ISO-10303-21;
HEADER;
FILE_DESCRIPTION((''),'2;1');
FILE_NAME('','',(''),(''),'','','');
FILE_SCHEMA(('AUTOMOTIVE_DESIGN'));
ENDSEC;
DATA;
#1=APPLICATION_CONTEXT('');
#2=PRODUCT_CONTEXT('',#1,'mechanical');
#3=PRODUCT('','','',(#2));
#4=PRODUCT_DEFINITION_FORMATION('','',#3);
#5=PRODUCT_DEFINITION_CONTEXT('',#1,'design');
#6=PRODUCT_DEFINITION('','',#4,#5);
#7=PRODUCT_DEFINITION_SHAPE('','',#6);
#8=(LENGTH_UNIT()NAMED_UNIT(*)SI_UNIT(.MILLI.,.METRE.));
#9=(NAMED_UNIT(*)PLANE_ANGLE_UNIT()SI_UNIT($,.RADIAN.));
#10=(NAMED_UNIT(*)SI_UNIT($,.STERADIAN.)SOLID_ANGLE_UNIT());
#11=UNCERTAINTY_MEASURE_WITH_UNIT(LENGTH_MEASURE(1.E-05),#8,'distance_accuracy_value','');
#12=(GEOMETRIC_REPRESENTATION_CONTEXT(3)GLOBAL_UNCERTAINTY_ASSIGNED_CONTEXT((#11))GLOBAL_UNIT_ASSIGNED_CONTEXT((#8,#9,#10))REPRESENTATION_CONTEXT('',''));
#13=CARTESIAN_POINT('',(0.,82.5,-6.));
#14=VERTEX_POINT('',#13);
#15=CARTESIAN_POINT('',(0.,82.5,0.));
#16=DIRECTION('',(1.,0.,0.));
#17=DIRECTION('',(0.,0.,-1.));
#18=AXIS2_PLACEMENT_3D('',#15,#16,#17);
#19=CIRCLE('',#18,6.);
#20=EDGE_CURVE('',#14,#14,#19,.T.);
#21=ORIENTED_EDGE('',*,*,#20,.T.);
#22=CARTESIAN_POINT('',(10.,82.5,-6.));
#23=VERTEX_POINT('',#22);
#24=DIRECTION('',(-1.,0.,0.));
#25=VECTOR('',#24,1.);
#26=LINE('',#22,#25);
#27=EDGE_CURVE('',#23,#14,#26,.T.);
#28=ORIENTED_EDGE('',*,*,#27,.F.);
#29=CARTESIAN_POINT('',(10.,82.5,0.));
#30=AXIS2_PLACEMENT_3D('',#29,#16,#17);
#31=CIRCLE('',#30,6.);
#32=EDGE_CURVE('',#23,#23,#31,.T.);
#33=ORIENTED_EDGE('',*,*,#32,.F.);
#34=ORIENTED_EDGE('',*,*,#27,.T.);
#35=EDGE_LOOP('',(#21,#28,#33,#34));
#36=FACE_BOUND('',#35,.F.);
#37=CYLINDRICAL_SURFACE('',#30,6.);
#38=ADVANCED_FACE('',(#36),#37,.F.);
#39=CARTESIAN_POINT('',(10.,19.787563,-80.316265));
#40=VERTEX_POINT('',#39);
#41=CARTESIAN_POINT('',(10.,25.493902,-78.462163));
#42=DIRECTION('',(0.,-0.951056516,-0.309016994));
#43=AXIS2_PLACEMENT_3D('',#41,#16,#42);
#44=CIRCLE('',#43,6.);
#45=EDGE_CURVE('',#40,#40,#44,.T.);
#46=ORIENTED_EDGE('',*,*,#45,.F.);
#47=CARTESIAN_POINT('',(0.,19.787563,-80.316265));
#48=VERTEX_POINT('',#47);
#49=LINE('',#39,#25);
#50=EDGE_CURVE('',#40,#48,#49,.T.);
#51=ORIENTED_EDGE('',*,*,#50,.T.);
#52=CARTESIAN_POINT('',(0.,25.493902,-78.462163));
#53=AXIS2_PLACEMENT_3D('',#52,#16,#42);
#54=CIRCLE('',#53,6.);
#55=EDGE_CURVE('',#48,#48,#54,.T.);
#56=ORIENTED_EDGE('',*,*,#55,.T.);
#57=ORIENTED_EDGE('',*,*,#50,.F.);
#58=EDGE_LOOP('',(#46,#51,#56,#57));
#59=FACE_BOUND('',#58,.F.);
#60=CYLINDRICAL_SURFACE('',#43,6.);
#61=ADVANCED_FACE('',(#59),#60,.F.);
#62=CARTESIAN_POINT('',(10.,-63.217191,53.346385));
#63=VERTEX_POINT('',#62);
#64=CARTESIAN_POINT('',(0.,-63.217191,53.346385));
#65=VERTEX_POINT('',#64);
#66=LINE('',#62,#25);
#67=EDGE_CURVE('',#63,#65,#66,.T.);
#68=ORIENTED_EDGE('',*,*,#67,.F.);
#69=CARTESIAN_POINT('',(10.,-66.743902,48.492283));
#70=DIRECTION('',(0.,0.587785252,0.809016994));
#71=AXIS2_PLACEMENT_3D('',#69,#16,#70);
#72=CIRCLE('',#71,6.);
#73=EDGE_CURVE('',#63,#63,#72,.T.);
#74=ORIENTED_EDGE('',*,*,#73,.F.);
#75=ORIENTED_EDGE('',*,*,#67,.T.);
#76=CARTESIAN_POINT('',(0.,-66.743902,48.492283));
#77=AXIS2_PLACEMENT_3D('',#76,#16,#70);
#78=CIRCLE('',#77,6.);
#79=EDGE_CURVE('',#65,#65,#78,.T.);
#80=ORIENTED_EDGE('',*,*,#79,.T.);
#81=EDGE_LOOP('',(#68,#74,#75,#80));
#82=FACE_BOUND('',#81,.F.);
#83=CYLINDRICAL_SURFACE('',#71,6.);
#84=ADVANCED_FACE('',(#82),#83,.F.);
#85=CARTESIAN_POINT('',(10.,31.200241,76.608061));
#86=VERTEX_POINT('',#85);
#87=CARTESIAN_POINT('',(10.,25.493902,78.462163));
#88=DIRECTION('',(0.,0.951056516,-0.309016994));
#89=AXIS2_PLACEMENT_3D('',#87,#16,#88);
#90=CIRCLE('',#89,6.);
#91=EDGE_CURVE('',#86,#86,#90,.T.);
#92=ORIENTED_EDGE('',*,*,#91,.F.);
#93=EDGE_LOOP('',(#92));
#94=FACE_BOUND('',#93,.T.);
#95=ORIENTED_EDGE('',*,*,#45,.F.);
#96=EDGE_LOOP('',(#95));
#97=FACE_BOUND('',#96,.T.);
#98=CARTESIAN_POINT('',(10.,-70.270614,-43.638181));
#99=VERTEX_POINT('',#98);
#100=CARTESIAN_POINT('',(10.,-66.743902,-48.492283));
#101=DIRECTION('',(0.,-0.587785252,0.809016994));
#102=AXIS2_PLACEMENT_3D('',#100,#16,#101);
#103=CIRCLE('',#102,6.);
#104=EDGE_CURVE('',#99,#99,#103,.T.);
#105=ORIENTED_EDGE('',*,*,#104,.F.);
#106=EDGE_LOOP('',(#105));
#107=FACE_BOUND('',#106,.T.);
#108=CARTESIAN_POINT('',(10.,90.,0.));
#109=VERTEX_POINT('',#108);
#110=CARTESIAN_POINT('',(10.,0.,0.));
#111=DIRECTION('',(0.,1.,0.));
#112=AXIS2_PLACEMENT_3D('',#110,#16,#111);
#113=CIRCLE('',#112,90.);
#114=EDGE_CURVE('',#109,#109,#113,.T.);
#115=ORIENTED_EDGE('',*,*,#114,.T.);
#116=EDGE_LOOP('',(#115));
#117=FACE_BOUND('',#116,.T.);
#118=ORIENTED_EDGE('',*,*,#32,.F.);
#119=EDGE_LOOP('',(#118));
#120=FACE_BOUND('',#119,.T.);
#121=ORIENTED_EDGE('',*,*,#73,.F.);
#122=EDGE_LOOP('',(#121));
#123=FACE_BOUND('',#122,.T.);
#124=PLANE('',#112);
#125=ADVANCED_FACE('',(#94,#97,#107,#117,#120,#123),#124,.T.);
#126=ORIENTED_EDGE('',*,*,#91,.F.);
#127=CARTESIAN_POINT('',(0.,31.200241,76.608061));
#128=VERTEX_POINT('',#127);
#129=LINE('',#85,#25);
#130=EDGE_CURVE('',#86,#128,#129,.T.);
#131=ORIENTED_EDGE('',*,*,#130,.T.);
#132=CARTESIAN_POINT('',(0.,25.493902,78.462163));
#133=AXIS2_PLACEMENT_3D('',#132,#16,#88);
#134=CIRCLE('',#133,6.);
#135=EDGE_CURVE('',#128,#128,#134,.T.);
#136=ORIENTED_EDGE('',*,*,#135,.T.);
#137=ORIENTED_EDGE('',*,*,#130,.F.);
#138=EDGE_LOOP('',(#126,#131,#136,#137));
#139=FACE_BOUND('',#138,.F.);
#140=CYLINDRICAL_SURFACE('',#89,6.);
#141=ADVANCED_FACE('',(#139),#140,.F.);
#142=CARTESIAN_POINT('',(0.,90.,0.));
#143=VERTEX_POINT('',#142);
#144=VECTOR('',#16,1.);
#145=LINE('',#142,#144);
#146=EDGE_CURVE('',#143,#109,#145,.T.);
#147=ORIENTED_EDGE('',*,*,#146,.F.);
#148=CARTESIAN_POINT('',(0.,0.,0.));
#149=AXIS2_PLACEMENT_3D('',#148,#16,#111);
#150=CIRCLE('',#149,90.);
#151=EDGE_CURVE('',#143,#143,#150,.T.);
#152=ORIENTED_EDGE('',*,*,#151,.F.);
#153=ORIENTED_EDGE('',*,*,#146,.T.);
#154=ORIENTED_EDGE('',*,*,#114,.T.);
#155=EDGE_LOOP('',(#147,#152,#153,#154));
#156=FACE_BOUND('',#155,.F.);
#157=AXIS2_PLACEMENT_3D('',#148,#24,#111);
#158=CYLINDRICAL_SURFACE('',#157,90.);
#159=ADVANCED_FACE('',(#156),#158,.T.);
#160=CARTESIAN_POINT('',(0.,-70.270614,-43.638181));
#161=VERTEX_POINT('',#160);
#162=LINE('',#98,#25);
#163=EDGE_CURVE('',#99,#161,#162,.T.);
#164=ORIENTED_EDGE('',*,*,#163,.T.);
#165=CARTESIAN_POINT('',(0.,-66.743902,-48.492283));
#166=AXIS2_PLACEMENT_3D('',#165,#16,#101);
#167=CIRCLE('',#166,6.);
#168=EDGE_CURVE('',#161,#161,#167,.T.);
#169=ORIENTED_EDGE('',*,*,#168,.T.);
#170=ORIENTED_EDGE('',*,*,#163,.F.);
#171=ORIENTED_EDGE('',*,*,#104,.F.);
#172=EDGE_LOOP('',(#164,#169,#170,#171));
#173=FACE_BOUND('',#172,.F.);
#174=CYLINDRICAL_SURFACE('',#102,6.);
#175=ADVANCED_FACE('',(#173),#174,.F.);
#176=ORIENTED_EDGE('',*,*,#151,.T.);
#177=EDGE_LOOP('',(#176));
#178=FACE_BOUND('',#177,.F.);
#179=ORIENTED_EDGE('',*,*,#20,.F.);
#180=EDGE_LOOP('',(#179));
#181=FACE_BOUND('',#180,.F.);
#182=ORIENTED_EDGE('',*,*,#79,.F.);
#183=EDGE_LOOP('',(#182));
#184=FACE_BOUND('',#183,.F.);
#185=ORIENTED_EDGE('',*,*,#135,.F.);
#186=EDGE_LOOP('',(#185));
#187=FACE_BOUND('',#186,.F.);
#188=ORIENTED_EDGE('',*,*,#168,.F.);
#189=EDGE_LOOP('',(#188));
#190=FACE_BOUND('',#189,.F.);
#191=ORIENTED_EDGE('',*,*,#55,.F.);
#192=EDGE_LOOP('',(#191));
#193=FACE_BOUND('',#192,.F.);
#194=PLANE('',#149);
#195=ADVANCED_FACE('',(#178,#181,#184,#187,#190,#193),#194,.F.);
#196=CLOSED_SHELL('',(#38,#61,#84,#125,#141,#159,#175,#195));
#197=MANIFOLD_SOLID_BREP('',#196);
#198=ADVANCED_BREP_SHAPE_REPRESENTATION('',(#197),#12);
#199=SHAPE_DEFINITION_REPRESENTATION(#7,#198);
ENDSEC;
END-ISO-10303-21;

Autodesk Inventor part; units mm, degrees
ref_plane "YZ Plane" through (0, 0, 0) normal (1, 0, 0) x (0, 1, 0)
ref_plane "XZ Plane" through (0, 0, 0) normal (0, 1, 0) x (-1, 0, 0)
ref_plane "XY Plane" through (0, 0, 0) normal (0, 0, 1) x (1, 0, 0)
sketch "Sketch1" plane through (0, 0, 0) normal (1, 0, 0) x (0, 1, 0)
  circle A0 centre (0, 0) radius 90
  dimension "d0" = 180
extrude "Extrusion1" add sketch "Sketch1" along normal blind 10
sketch "Sketch2" plane through (10, 0, 0) normal (1, 0, 0) x (0, 0, -1)
  circle A0 centre (0, 82.5) radius 6
  point P0 (0, 0)
  dimension "d3" = 82.5
  dimension "d4" = 12
extrude "Extrusion2" cut sketch "Sketch2" against normal blind 10
pattern_circular "Circular Pattern1" count 5 over 360 about axis through (10, 0, 0) along (1, 0, 0) of "Extrusion2"
properties part number "lip plate"
